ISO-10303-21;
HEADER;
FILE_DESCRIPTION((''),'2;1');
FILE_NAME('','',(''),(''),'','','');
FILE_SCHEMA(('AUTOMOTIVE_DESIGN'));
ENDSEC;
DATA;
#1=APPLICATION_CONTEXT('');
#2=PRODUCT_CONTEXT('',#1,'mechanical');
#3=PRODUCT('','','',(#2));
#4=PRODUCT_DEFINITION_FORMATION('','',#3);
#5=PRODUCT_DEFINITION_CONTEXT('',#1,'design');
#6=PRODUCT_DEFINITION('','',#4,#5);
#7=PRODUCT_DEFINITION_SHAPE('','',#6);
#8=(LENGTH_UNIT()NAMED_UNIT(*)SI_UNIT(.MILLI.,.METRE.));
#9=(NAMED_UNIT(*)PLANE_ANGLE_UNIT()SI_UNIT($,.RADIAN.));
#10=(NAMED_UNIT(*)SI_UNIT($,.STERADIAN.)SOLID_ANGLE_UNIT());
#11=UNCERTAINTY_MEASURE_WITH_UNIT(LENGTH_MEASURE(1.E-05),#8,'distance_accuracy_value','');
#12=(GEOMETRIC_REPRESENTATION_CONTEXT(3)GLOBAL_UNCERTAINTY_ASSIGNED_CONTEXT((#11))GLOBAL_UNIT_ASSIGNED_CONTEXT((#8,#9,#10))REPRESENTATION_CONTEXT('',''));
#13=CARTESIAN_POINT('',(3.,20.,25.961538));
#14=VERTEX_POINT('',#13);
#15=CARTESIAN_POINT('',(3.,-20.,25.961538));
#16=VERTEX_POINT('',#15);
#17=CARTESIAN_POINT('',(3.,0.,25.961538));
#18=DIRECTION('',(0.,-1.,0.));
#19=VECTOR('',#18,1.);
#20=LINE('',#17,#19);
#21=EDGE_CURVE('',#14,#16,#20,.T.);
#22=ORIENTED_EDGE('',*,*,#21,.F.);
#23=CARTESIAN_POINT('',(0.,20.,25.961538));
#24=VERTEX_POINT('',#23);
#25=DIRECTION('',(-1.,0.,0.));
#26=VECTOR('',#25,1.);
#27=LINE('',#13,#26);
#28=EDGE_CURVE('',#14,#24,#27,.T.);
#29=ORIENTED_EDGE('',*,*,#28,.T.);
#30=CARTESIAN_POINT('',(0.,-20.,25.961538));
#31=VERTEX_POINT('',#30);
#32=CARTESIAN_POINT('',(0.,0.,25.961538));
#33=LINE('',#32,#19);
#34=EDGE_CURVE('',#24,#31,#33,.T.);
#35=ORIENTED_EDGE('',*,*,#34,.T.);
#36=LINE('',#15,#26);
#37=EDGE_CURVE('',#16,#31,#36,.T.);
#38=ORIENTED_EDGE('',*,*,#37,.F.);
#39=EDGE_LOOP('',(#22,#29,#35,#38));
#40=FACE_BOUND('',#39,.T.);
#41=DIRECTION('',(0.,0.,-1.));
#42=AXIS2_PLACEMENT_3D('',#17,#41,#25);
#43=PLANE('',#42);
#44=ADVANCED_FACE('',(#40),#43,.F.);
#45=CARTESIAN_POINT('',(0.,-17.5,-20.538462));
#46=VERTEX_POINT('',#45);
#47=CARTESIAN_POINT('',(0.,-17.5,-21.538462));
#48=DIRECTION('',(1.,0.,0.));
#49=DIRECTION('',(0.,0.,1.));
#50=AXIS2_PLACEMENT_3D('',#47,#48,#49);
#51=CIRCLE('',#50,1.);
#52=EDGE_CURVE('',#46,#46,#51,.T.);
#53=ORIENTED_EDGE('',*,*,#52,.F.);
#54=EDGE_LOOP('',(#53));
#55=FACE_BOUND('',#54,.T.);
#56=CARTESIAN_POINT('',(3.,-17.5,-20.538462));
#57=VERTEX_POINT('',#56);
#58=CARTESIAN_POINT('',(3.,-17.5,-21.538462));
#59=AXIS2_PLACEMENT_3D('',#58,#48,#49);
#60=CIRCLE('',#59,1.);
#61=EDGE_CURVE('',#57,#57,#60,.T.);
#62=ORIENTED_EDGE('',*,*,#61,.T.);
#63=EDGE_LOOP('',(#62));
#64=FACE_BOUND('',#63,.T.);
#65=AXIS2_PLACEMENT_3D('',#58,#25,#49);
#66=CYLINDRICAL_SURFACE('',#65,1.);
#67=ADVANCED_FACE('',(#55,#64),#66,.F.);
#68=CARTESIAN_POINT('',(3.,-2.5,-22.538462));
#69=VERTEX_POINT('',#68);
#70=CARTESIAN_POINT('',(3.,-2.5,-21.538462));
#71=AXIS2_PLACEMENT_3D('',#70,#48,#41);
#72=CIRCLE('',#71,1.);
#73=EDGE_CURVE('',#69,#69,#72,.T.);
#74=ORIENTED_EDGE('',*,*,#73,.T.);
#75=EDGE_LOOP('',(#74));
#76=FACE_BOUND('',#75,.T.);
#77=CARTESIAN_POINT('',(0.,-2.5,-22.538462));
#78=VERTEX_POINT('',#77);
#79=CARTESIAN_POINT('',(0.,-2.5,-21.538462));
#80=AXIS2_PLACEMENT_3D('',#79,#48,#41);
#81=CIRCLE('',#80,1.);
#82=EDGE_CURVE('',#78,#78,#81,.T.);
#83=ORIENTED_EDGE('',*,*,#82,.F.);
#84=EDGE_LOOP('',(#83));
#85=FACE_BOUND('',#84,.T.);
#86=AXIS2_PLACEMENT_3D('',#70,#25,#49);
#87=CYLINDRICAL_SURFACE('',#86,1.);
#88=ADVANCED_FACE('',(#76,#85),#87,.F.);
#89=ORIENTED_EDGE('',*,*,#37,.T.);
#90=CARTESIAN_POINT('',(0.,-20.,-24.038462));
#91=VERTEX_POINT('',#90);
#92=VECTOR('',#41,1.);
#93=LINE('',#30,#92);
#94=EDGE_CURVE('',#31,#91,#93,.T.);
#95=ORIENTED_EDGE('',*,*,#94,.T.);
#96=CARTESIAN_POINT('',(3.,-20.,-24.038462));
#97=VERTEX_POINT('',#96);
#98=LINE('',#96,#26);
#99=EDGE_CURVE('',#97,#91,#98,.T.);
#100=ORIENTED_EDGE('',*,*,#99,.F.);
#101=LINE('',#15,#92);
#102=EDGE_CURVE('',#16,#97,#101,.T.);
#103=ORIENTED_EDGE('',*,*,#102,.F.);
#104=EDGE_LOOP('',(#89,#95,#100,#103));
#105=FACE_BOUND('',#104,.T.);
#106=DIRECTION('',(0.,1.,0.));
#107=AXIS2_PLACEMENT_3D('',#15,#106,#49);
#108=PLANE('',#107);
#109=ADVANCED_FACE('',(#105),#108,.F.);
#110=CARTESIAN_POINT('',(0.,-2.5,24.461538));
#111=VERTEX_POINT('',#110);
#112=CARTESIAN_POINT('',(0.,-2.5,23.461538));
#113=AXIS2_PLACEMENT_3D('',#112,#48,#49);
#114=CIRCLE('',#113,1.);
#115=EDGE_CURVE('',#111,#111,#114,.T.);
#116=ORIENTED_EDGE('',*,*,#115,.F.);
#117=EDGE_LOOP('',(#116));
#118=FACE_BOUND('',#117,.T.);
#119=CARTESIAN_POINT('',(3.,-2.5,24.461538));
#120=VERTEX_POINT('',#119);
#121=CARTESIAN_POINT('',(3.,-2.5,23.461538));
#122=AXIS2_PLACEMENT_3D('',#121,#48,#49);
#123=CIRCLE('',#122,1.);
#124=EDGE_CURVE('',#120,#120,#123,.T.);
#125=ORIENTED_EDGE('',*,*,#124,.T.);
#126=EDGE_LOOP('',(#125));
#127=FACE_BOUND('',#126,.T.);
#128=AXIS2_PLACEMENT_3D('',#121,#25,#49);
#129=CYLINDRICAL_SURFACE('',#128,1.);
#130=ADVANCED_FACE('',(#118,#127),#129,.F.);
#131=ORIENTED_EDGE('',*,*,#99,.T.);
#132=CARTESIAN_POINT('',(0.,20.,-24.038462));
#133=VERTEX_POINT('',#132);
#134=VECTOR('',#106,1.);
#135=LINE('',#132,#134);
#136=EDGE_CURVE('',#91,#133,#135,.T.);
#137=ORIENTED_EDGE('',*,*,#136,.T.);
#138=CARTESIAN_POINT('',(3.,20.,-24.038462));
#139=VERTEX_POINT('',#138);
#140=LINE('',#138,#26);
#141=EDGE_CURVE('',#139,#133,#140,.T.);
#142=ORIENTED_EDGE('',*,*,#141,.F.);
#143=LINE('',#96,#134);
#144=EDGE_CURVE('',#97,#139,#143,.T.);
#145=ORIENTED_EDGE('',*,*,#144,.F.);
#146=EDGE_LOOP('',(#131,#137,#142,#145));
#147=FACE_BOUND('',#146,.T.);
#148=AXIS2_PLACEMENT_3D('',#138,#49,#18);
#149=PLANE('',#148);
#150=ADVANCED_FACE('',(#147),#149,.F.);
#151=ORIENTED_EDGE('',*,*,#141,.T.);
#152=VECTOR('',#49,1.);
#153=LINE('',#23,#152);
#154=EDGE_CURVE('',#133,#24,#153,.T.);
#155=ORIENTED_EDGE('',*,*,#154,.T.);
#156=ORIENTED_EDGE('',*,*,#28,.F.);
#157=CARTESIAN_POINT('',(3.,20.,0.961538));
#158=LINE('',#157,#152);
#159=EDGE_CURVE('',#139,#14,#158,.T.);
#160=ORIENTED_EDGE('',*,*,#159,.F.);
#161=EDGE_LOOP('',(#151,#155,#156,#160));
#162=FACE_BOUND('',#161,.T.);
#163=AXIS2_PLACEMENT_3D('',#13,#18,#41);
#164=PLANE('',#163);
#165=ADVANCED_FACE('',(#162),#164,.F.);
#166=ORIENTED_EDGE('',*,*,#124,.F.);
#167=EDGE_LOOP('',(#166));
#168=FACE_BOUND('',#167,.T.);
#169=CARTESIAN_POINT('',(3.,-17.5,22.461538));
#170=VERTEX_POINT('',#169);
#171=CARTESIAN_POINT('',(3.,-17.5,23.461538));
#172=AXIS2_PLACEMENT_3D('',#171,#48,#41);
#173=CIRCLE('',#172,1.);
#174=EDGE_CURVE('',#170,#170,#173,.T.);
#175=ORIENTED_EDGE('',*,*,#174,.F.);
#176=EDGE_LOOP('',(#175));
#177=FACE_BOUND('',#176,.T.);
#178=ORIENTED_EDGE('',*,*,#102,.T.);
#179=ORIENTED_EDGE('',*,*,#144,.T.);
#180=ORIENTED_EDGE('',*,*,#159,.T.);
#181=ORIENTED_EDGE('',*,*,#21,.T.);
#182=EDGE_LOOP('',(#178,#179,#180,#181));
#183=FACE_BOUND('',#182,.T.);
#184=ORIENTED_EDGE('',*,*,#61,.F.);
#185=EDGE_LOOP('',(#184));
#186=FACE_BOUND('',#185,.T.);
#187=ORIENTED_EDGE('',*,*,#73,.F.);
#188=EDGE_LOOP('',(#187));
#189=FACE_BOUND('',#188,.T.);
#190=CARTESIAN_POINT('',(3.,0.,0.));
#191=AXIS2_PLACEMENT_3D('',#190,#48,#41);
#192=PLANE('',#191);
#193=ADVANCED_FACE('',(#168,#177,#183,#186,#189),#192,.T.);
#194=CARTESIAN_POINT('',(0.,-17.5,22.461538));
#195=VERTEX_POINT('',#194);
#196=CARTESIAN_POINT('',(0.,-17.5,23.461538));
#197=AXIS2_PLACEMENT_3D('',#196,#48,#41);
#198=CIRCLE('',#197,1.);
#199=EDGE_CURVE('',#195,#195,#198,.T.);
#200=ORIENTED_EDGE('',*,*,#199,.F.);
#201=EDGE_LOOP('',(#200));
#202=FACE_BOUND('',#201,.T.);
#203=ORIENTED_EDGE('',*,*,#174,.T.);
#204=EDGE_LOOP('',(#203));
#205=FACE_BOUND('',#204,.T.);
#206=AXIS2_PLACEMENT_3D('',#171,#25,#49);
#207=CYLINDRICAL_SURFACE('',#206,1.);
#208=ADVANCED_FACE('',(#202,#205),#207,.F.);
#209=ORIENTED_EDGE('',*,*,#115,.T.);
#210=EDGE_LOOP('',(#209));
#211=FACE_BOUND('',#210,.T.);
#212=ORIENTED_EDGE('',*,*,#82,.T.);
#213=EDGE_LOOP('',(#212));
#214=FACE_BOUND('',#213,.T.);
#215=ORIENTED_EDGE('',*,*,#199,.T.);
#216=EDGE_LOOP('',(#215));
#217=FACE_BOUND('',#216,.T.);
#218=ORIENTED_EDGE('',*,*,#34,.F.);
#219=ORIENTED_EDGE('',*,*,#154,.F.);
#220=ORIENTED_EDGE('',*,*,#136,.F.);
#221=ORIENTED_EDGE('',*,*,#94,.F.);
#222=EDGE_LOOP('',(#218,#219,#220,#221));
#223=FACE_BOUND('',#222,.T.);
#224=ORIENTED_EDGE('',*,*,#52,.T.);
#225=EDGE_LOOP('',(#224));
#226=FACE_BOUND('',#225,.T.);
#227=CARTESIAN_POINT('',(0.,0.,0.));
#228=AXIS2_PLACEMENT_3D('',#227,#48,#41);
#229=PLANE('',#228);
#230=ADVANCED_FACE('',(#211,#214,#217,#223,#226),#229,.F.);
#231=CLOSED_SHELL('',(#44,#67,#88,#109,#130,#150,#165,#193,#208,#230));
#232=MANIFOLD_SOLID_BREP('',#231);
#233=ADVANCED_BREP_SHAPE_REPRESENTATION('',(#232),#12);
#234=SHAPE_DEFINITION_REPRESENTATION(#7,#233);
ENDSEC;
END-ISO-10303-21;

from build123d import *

# Parameters (mm, degrees)
CROQUIS1_R              = 1
SALIENTE_EXTRUIR3_DEPTH = 3


with BuildPart() as part:
    # Croquis1 → Saliente-Extruir3 (new body)
    with BuildSketch(Plane(origin=(0, 0, 0), x_dir=(0, 0, -1), z_dir=(1, 0, 0))):
        Polygon((-25.961538462, 0), (-25.961538462, 20), (-0.961538462, 20), (24.038461538, 20), (24.038461538, 0), (24.038461538, -20), (-25.961538462, -20), align=None)
        with Locations((-23.461538462, -17.5)):
            Circle(CROQUIS1_R, mode=Mode.SUBTRACT)
        with Locations(Location((21.538461538, -17.5, 0), (0, 0, 180))):
            Circle(CROQUIS1_R, mode=Mode.SUBTRACT)
        with Locations((21.538461538, -2.5)):
            Circle(CROQUIS1_R, mode=Mode.SUBTRACT)
        with Locations(Location((-23.461538462, -2.5, 0), (0, 0, 180))):
            Circle(CROQUIS1_R, mode=Mode.SUBTRACT)
    extrude(amount=SALIENTE_EXTRUIR3_DEPTH)


solid = part.part
